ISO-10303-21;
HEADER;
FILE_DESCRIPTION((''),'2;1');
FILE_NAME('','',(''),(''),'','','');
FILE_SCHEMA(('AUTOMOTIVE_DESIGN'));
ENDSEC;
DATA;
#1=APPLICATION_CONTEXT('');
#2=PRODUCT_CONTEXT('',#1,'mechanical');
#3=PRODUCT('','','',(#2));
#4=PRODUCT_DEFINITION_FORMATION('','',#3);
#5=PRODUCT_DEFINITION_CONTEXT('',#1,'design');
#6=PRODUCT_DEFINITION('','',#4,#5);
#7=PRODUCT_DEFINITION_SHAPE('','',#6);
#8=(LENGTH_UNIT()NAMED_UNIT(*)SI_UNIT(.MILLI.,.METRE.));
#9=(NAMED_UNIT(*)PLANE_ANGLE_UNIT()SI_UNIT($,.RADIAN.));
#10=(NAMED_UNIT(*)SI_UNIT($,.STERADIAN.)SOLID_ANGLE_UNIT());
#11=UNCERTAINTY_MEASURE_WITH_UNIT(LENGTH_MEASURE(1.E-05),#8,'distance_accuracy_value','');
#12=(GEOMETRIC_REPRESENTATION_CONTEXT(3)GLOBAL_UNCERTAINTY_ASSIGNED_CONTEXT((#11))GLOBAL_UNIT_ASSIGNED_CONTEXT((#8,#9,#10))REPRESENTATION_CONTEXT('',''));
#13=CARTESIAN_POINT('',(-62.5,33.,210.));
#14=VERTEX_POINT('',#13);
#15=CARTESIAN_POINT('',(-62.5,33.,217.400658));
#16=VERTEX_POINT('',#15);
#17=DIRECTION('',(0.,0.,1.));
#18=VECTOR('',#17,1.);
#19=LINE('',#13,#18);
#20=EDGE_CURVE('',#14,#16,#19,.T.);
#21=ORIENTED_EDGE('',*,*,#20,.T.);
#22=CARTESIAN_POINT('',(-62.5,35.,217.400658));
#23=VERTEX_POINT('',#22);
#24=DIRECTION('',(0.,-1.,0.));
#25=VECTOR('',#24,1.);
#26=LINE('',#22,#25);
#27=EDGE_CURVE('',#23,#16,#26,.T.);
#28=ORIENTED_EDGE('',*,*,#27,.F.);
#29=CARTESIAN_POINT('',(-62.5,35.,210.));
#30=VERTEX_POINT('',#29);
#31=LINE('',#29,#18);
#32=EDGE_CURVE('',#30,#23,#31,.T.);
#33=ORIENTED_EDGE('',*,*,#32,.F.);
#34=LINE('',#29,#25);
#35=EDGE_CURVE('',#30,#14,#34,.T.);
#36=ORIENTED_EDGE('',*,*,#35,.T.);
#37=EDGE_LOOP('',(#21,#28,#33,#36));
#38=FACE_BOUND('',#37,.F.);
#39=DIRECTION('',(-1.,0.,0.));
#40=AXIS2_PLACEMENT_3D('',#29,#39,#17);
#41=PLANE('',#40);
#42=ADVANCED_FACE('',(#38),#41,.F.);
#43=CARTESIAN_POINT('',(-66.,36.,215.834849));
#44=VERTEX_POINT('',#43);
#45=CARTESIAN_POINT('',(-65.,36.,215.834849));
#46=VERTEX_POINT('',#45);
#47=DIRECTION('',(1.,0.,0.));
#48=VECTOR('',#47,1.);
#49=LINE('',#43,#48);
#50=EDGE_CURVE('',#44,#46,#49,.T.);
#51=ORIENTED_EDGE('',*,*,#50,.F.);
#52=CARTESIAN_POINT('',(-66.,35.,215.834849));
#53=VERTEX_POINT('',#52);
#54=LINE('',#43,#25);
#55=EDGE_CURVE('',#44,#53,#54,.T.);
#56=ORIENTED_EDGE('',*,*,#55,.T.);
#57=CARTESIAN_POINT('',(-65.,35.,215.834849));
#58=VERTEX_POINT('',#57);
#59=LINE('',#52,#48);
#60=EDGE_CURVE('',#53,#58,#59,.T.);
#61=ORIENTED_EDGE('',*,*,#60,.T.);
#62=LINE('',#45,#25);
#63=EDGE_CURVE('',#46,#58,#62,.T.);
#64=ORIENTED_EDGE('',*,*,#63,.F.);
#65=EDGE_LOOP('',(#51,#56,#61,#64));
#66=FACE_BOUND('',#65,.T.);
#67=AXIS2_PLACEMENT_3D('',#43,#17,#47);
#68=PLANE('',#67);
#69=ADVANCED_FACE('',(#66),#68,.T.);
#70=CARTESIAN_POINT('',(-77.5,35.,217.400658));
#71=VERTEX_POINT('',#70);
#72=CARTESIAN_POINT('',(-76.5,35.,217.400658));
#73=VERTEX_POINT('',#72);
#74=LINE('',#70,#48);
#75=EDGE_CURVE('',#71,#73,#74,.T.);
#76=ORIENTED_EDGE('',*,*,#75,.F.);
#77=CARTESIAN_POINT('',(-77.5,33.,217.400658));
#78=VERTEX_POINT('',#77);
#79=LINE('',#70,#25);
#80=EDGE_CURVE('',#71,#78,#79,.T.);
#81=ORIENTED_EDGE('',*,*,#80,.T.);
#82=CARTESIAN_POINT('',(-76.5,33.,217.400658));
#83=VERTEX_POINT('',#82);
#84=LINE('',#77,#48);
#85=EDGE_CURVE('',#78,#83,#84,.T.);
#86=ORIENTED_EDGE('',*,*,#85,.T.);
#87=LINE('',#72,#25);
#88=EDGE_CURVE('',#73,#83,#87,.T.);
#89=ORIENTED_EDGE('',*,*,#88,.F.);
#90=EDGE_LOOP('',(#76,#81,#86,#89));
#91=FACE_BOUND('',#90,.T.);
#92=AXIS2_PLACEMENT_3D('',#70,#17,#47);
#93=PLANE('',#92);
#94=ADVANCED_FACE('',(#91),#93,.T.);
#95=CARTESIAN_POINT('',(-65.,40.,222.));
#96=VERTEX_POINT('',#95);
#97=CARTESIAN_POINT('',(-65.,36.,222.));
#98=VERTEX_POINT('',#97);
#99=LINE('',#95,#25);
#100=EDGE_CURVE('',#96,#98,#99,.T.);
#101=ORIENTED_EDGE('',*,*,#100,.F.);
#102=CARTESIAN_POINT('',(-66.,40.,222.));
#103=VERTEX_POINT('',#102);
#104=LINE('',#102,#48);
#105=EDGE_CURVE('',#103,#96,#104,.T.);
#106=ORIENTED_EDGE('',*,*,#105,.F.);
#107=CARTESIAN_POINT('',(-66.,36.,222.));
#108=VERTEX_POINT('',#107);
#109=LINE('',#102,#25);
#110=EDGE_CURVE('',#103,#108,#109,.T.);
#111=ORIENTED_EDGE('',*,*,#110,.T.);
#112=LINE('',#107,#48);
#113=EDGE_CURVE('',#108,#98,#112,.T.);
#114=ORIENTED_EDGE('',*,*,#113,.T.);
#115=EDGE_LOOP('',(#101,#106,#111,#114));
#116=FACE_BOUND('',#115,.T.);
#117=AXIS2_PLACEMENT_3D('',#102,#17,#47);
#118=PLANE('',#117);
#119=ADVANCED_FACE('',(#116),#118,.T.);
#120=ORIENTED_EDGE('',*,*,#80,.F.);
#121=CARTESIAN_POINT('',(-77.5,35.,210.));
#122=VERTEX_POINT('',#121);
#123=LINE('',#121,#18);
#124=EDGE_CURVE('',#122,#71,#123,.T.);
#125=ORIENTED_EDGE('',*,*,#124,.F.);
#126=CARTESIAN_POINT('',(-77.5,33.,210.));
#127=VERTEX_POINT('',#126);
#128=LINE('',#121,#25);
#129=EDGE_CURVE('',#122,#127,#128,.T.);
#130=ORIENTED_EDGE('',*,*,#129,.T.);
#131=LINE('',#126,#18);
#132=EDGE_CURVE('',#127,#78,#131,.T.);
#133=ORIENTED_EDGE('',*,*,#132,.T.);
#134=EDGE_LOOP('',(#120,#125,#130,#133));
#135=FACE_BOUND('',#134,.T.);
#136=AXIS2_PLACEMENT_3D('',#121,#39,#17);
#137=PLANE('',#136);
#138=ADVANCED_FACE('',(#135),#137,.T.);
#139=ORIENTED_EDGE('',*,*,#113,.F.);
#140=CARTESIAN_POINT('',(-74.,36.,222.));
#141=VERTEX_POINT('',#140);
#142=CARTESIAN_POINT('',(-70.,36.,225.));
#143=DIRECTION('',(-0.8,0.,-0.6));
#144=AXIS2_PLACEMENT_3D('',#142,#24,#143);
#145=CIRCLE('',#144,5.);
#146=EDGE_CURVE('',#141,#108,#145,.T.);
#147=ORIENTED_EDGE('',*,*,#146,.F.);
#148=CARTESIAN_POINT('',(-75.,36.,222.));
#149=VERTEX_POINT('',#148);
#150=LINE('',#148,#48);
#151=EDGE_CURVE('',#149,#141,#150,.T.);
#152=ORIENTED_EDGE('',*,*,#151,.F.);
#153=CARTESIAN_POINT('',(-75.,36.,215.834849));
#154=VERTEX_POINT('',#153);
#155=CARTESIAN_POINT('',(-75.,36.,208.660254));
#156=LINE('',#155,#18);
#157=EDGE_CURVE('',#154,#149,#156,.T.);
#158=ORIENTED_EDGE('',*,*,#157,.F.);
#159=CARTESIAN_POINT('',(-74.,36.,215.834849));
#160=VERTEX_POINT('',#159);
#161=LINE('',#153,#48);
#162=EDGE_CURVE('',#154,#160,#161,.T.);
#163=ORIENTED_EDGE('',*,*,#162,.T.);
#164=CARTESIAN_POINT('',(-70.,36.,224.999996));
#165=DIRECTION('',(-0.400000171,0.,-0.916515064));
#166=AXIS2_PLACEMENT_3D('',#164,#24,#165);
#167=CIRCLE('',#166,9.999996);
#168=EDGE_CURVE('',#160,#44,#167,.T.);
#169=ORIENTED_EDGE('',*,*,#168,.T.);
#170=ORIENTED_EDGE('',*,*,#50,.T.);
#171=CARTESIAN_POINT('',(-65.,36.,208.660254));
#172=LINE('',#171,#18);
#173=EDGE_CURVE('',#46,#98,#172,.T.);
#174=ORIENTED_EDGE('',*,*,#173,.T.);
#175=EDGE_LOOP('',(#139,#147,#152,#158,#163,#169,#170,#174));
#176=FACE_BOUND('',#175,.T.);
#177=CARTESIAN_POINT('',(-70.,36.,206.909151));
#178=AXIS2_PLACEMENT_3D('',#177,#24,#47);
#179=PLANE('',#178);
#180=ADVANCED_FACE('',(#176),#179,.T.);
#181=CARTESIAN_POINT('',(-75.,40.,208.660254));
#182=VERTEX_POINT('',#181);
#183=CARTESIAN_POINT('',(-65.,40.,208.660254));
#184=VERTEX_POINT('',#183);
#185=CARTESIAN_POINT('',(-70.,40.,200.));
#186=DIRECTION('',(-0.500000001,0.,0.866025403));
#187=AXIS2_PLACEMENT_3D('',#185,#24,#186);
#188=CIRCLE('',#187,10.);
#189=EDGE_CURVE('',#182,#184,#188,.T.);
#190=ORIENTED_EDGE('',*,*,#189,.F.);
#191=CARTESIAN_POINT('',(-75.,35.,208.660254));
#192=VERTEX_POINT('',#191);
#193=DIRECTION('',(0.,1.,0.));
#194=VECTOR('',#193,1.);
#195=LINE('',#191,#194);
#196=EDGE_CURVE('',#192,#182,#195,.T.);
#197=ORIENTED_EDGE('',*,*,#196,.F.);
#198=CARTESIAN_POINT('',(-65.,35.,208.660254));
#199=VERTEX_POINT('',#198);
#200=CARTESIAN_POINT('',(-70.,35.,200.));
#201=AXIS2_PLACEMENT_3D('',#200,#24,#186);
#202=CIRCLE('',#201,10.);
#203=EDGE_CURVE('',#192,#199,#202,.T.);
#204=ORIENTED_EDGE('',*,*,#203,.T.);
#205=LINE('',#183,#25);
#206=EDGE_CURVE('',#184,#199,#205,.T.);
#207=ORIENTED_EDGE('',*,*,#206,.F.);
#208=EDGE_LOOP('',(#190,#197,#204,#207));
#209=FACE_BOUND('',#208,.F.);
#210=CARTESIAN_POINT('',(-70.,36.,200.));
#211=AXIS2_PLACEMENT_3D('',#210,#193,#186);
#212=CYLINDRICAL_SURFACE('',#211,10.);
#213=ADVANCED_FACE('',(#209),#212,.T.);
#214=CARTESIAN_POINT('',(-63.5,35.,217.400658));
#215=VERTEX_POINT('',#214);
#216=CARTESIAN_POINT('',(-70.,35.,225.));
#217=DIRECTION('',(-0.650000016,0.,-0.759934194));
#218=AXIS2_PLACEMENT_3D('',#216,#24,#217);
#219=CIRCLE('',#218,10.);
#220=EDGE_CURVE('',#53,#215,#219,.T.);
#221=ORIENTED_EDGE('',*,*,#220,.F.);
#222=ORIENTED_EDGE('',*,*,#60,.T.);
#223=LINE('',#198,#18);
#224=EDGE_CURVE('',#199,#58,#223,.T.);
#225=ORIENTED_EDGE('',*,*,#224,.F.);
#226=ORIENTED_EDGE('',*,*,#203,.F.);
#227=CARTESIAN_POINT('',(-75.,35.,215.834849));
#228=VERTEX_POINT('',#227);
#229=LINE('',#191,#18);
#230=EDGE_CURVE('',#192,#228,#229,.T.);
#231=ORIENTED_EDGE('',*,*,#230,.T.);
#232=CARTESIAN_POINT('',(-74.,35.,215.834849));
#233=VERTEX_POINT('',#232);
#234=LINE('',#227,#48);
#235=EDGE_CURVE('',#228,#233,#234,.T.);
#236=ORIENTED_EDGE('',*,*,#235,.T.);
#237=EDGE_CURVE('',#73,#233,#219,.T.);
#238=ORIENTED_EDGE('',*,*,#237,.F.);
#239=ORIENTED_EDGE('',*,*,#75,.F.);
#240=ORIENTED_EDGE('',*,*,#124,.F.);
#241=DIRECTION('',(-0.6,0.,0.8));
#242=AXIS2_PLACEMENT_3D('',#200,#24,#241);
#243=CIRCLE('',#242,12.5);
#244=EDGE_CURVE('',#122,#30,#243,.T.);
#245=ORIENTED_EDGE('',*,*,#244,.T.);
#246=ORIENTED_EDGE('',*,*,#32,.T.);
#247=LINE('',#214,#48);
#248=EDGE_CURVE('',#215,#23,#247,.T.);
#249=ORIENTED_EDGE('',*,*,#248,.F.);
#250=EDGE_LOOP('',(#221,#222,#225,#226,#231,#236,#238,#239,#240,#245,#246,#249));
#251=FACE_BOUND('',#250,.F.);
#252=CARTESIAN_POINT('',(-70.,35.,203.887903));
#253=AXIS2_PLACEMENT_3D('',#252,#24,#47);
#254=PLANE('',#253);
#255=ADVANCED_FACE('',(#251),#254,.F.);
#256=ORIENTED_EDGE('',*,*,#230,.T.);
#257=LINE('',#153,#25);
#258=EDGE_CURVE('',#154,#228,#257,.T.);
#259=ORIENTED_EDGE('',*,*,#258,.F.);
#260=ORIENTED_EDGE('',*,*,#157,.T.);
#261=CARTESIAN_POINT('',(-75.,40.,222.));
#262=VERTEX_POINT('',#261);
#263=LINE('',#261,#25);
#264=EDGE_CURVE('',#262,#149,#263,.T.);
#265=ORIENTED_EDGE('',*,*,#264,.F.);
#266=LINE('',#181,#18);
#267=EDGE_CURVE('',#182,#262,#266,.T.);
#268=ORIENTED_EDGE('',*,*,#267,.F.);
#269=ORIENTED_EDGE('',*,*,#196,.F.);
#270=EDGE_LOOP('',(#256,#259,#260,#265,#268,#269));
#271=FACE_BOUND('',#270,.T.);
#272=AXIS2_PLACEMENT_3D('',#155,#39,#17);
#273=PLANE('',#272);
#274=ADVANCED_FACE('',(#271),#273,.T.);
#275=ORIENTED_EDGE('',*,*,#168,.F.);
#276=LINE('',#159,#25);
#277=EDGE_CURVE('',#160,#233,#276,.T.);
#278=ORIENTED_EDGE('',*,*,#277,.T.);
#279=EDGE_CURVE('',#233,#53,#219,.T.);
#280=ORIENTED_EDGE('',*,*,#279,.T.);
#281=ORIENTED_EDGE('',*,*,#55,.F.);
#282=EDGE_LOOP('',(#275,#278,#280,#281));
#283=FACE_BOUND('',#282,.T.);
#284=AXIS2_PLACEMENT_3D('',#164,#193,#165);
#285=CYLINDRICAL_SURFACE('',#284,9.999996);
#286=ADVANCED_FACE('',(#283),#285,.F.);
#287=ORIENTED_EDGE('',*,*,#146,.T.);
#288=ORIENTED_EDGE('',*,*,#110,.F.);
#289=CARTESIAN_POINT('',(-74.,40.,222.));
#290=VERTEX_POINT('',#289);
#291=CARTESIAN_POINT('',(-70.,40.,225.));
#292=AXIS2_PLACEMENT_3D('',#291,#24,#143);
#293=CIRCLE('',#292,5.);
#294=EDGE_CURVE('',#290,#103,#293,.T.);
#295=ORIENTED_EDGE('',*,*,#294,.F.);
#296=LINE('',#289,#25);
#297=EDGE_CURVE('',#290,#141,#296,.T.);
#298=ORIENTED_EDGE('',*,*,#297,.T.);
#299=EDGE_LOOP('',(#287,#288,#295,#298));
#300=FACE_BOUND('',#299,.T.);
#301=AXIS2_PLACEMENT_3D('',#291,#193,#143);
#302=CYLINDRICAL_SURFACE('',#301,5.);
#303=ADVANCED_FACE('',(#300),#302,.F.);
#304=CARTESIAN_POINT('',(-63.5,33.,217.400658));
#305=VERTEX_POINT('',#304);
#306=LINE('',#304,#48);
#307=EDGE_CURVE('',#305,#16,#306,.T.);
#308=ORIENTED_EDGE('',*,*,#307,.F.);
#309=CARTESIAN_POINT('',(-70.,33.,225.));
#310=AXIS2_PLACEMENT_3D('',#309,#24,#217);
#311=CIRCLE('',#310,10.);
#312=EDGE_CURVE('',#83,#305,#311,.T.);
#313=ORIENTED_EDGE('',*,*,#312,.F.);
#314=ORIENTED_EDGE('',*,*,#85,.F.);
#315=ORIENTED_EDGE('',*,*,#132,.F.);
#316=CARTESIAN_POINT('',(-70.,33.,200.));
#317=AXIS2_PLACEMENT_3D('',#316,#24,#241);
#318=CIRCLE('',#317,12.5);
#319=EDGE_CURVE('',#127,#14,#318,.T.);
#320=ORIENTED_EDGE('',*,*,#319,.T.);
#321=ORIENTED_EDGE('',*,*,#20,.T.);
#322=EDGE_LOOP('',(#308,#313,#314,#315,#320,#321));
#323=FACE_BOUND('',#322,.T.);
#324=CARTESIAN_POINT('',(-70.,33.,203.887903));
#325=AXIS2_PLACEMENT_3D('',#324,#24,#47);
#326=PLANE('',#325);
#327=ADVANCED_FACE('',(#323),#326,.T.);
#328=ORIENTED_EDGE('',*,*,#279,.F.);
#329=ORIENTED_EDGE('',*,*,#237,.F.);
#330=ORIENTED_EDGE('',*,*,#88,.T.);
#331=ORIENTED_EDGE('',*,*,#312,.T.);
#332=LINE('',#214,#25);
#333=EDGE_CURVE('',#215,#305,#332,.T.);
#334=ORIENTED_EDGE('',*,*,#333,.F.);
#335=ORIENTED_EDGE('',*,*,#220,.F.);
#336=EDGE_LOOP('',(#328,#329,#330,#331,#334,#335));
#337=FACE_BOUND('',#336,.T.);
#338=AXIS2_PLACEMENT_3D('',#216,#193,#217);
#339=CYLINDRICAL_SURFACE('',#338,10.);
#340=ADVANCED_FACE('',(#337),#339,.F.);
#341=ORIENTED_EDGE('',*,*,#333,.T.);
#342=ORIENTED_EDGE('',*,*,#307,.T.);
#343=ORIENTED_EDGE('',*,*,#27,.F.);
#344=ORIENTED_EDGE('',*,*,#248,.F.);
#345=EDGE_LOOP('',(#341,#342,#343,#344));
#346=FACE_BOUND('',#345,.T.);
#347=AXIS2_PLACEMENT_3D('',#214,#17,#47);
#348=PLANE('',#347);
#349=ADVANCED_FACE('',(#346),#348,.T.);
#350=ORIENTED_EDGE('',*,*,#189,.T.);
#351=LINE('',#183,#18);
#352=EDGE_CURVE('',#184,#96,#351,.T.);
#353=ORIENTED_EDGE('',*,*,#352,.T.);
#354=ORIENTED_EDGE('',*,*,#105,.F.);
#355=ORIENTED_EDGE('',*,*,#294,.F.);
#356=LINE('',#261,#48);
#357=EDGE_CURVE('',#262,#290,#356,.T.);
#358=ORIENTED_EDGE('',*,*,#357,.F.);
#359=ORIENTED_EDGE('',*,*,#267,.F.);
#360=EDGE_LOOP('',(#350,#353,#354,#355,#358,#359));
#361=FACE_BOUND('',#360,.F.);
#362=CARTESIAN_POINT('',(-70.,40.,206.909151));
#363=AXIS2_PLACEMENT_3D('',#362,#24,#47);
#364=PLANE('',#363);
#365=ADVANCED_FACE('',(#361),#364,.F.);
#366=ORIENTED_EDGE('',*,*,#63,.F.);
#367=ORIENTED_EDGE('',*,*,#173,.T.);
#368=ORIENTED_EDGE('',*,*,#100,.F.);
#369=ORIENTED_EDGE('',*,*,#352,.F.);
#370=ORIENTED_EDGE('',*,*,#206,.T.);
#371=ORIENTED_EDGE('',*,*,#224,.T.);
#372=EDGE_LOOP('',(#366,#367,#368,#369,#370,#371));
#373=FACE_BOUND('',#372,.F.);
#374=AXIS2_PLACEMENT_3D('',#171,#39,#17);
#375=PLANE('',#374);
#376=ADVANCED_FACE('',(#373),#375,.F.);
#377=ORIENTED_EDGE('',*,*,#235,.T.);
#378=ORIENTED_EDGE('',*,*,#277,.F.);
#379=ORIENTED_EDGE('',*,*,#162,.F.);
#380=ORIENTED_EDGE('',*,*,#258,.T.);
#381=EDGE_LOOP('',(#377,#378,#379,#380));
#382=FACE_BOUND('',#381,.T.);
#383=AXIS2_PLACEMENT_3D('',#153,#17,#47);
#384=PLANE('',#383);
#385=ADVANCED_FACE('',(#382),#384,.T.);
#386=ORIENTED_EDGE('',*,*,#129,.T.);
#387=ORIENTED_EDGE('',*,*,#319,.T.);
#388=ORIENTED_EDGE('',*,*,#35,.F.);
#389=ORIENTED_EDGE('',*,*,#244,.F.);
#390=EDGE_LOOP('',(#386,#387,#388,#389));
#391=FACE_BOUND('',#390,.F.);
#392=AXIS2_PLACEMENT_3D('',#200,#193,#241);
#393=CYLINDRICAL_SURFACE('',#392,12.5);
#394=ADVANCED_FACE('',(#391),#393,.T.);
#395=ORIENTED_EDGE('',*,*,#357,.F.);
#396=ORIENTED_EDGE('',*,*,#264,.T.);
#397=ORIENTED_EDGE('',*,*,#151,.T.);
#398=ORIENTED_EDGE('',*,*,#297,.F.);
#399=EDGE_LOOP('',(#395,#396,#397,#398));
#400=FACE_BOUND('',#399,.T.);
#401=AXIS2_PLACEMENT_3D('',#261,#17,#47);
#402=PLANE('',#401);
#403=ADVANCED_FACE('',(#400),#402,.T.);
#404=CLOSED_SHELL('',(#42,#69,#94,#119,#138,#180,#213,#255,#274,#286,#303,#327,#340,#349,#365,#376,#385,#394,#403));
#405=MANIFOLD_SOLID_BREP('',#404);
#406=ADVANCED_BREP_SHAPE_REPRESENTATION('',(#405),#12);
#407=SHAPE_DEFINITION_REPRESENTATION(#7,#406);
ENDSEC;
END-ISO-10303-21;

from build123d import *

# Parameters (mm, degrees)
EXTRUDE028_DEPTH = 2
EXTRUDE029_DEPTH = 1
EXTRUDE027_DEPTH = 4


with BuildPart() as hangerlockfront:
    # Sketch037 → Extrude028 (new body)
    with BuildSketch(Plane.XZ):
        with BuildLine():
            ThreePointArc((-7.5, 10), (0, -12.5), (7.5, 10))
            Line((7.5, 10), (7.5, 17.400658))
            Line((6.5, 17.400658), (7.5, 17.400658))
            ThreePointArc((-6.5, 17.400658), (0, 15), (6.5, 17.400658))
            Line((-7.5, 17.400658), (-6.5, 17.400658))
            Line((-7.5, 10), (-7.5, 17.400658))
        make_face()
    extrude(amount=EXTRUDE028_DEPTH)


with BuildPart() as hangerlockfront_1:
    # Extrude028 placement: moved
    add(hangerlockfront.part.moved(Location((0, -5, 0))))


with BuildPart() as hangerlockspacer:
    # Sketch038 → Extrude029 (new body)
    with BuildSketch(Plane.XZ):
        with BuildLine():
            ThreePointArc((-5, 8.660254), (0, -10), (5, 8.660254))
            Line((5, 8.660254), (5, 15.834849))
            Line((4, 15.834849), (5, 15.834849))
            ThreePointArc((-4, 15.834849), (0, 15), (4, 15.834849))
            Line((-5, 15.834849), (-4, 15.834849))
            Line((-5, 8.660254), (-5, 15.834849))
        make_face()
    extrude(amount=EXTRUDE029_DEPTH)


with BuildPart() as hangerlockspacer_1:
    # Extrude029 placement: moved
    add(hangerlockspacer.part.moved(Location((0, -4, 0))))


with BuildPart() as hangerlockleft:
    # Sketch036 → Extrude027 (new body)
    with BuildSketch(Plane.XZ):
        with BuildLine():
            ThreePointArc((-5, 8.660254), (0, -10), (5, 8.660254))
            Line((5, 8.660254), (5, 22))
            Line((4, 22), (5, 22))
            ThreePointArc((-4, 22), (0, 20), (4, 22))
            Line((-5, 22), (-4, 22))
            Line((-5, 8.660254), (-5, 22))
        make_face()
    extrude(amount=EXTRUDE027_DEPTH)

    # Fusion001: union HangerLockFront, HangerLockSpacer
    add(hangerlockfront_1.part)
    add(hangerlockspacer_1.part)


with BuildPart() as hangerlockleft_1:
    # Fusion001 placement: moved
    add(hangerlockleft.part.moved(Location((-70, 40, 200))))


solid = hangerlockleft_1.part
